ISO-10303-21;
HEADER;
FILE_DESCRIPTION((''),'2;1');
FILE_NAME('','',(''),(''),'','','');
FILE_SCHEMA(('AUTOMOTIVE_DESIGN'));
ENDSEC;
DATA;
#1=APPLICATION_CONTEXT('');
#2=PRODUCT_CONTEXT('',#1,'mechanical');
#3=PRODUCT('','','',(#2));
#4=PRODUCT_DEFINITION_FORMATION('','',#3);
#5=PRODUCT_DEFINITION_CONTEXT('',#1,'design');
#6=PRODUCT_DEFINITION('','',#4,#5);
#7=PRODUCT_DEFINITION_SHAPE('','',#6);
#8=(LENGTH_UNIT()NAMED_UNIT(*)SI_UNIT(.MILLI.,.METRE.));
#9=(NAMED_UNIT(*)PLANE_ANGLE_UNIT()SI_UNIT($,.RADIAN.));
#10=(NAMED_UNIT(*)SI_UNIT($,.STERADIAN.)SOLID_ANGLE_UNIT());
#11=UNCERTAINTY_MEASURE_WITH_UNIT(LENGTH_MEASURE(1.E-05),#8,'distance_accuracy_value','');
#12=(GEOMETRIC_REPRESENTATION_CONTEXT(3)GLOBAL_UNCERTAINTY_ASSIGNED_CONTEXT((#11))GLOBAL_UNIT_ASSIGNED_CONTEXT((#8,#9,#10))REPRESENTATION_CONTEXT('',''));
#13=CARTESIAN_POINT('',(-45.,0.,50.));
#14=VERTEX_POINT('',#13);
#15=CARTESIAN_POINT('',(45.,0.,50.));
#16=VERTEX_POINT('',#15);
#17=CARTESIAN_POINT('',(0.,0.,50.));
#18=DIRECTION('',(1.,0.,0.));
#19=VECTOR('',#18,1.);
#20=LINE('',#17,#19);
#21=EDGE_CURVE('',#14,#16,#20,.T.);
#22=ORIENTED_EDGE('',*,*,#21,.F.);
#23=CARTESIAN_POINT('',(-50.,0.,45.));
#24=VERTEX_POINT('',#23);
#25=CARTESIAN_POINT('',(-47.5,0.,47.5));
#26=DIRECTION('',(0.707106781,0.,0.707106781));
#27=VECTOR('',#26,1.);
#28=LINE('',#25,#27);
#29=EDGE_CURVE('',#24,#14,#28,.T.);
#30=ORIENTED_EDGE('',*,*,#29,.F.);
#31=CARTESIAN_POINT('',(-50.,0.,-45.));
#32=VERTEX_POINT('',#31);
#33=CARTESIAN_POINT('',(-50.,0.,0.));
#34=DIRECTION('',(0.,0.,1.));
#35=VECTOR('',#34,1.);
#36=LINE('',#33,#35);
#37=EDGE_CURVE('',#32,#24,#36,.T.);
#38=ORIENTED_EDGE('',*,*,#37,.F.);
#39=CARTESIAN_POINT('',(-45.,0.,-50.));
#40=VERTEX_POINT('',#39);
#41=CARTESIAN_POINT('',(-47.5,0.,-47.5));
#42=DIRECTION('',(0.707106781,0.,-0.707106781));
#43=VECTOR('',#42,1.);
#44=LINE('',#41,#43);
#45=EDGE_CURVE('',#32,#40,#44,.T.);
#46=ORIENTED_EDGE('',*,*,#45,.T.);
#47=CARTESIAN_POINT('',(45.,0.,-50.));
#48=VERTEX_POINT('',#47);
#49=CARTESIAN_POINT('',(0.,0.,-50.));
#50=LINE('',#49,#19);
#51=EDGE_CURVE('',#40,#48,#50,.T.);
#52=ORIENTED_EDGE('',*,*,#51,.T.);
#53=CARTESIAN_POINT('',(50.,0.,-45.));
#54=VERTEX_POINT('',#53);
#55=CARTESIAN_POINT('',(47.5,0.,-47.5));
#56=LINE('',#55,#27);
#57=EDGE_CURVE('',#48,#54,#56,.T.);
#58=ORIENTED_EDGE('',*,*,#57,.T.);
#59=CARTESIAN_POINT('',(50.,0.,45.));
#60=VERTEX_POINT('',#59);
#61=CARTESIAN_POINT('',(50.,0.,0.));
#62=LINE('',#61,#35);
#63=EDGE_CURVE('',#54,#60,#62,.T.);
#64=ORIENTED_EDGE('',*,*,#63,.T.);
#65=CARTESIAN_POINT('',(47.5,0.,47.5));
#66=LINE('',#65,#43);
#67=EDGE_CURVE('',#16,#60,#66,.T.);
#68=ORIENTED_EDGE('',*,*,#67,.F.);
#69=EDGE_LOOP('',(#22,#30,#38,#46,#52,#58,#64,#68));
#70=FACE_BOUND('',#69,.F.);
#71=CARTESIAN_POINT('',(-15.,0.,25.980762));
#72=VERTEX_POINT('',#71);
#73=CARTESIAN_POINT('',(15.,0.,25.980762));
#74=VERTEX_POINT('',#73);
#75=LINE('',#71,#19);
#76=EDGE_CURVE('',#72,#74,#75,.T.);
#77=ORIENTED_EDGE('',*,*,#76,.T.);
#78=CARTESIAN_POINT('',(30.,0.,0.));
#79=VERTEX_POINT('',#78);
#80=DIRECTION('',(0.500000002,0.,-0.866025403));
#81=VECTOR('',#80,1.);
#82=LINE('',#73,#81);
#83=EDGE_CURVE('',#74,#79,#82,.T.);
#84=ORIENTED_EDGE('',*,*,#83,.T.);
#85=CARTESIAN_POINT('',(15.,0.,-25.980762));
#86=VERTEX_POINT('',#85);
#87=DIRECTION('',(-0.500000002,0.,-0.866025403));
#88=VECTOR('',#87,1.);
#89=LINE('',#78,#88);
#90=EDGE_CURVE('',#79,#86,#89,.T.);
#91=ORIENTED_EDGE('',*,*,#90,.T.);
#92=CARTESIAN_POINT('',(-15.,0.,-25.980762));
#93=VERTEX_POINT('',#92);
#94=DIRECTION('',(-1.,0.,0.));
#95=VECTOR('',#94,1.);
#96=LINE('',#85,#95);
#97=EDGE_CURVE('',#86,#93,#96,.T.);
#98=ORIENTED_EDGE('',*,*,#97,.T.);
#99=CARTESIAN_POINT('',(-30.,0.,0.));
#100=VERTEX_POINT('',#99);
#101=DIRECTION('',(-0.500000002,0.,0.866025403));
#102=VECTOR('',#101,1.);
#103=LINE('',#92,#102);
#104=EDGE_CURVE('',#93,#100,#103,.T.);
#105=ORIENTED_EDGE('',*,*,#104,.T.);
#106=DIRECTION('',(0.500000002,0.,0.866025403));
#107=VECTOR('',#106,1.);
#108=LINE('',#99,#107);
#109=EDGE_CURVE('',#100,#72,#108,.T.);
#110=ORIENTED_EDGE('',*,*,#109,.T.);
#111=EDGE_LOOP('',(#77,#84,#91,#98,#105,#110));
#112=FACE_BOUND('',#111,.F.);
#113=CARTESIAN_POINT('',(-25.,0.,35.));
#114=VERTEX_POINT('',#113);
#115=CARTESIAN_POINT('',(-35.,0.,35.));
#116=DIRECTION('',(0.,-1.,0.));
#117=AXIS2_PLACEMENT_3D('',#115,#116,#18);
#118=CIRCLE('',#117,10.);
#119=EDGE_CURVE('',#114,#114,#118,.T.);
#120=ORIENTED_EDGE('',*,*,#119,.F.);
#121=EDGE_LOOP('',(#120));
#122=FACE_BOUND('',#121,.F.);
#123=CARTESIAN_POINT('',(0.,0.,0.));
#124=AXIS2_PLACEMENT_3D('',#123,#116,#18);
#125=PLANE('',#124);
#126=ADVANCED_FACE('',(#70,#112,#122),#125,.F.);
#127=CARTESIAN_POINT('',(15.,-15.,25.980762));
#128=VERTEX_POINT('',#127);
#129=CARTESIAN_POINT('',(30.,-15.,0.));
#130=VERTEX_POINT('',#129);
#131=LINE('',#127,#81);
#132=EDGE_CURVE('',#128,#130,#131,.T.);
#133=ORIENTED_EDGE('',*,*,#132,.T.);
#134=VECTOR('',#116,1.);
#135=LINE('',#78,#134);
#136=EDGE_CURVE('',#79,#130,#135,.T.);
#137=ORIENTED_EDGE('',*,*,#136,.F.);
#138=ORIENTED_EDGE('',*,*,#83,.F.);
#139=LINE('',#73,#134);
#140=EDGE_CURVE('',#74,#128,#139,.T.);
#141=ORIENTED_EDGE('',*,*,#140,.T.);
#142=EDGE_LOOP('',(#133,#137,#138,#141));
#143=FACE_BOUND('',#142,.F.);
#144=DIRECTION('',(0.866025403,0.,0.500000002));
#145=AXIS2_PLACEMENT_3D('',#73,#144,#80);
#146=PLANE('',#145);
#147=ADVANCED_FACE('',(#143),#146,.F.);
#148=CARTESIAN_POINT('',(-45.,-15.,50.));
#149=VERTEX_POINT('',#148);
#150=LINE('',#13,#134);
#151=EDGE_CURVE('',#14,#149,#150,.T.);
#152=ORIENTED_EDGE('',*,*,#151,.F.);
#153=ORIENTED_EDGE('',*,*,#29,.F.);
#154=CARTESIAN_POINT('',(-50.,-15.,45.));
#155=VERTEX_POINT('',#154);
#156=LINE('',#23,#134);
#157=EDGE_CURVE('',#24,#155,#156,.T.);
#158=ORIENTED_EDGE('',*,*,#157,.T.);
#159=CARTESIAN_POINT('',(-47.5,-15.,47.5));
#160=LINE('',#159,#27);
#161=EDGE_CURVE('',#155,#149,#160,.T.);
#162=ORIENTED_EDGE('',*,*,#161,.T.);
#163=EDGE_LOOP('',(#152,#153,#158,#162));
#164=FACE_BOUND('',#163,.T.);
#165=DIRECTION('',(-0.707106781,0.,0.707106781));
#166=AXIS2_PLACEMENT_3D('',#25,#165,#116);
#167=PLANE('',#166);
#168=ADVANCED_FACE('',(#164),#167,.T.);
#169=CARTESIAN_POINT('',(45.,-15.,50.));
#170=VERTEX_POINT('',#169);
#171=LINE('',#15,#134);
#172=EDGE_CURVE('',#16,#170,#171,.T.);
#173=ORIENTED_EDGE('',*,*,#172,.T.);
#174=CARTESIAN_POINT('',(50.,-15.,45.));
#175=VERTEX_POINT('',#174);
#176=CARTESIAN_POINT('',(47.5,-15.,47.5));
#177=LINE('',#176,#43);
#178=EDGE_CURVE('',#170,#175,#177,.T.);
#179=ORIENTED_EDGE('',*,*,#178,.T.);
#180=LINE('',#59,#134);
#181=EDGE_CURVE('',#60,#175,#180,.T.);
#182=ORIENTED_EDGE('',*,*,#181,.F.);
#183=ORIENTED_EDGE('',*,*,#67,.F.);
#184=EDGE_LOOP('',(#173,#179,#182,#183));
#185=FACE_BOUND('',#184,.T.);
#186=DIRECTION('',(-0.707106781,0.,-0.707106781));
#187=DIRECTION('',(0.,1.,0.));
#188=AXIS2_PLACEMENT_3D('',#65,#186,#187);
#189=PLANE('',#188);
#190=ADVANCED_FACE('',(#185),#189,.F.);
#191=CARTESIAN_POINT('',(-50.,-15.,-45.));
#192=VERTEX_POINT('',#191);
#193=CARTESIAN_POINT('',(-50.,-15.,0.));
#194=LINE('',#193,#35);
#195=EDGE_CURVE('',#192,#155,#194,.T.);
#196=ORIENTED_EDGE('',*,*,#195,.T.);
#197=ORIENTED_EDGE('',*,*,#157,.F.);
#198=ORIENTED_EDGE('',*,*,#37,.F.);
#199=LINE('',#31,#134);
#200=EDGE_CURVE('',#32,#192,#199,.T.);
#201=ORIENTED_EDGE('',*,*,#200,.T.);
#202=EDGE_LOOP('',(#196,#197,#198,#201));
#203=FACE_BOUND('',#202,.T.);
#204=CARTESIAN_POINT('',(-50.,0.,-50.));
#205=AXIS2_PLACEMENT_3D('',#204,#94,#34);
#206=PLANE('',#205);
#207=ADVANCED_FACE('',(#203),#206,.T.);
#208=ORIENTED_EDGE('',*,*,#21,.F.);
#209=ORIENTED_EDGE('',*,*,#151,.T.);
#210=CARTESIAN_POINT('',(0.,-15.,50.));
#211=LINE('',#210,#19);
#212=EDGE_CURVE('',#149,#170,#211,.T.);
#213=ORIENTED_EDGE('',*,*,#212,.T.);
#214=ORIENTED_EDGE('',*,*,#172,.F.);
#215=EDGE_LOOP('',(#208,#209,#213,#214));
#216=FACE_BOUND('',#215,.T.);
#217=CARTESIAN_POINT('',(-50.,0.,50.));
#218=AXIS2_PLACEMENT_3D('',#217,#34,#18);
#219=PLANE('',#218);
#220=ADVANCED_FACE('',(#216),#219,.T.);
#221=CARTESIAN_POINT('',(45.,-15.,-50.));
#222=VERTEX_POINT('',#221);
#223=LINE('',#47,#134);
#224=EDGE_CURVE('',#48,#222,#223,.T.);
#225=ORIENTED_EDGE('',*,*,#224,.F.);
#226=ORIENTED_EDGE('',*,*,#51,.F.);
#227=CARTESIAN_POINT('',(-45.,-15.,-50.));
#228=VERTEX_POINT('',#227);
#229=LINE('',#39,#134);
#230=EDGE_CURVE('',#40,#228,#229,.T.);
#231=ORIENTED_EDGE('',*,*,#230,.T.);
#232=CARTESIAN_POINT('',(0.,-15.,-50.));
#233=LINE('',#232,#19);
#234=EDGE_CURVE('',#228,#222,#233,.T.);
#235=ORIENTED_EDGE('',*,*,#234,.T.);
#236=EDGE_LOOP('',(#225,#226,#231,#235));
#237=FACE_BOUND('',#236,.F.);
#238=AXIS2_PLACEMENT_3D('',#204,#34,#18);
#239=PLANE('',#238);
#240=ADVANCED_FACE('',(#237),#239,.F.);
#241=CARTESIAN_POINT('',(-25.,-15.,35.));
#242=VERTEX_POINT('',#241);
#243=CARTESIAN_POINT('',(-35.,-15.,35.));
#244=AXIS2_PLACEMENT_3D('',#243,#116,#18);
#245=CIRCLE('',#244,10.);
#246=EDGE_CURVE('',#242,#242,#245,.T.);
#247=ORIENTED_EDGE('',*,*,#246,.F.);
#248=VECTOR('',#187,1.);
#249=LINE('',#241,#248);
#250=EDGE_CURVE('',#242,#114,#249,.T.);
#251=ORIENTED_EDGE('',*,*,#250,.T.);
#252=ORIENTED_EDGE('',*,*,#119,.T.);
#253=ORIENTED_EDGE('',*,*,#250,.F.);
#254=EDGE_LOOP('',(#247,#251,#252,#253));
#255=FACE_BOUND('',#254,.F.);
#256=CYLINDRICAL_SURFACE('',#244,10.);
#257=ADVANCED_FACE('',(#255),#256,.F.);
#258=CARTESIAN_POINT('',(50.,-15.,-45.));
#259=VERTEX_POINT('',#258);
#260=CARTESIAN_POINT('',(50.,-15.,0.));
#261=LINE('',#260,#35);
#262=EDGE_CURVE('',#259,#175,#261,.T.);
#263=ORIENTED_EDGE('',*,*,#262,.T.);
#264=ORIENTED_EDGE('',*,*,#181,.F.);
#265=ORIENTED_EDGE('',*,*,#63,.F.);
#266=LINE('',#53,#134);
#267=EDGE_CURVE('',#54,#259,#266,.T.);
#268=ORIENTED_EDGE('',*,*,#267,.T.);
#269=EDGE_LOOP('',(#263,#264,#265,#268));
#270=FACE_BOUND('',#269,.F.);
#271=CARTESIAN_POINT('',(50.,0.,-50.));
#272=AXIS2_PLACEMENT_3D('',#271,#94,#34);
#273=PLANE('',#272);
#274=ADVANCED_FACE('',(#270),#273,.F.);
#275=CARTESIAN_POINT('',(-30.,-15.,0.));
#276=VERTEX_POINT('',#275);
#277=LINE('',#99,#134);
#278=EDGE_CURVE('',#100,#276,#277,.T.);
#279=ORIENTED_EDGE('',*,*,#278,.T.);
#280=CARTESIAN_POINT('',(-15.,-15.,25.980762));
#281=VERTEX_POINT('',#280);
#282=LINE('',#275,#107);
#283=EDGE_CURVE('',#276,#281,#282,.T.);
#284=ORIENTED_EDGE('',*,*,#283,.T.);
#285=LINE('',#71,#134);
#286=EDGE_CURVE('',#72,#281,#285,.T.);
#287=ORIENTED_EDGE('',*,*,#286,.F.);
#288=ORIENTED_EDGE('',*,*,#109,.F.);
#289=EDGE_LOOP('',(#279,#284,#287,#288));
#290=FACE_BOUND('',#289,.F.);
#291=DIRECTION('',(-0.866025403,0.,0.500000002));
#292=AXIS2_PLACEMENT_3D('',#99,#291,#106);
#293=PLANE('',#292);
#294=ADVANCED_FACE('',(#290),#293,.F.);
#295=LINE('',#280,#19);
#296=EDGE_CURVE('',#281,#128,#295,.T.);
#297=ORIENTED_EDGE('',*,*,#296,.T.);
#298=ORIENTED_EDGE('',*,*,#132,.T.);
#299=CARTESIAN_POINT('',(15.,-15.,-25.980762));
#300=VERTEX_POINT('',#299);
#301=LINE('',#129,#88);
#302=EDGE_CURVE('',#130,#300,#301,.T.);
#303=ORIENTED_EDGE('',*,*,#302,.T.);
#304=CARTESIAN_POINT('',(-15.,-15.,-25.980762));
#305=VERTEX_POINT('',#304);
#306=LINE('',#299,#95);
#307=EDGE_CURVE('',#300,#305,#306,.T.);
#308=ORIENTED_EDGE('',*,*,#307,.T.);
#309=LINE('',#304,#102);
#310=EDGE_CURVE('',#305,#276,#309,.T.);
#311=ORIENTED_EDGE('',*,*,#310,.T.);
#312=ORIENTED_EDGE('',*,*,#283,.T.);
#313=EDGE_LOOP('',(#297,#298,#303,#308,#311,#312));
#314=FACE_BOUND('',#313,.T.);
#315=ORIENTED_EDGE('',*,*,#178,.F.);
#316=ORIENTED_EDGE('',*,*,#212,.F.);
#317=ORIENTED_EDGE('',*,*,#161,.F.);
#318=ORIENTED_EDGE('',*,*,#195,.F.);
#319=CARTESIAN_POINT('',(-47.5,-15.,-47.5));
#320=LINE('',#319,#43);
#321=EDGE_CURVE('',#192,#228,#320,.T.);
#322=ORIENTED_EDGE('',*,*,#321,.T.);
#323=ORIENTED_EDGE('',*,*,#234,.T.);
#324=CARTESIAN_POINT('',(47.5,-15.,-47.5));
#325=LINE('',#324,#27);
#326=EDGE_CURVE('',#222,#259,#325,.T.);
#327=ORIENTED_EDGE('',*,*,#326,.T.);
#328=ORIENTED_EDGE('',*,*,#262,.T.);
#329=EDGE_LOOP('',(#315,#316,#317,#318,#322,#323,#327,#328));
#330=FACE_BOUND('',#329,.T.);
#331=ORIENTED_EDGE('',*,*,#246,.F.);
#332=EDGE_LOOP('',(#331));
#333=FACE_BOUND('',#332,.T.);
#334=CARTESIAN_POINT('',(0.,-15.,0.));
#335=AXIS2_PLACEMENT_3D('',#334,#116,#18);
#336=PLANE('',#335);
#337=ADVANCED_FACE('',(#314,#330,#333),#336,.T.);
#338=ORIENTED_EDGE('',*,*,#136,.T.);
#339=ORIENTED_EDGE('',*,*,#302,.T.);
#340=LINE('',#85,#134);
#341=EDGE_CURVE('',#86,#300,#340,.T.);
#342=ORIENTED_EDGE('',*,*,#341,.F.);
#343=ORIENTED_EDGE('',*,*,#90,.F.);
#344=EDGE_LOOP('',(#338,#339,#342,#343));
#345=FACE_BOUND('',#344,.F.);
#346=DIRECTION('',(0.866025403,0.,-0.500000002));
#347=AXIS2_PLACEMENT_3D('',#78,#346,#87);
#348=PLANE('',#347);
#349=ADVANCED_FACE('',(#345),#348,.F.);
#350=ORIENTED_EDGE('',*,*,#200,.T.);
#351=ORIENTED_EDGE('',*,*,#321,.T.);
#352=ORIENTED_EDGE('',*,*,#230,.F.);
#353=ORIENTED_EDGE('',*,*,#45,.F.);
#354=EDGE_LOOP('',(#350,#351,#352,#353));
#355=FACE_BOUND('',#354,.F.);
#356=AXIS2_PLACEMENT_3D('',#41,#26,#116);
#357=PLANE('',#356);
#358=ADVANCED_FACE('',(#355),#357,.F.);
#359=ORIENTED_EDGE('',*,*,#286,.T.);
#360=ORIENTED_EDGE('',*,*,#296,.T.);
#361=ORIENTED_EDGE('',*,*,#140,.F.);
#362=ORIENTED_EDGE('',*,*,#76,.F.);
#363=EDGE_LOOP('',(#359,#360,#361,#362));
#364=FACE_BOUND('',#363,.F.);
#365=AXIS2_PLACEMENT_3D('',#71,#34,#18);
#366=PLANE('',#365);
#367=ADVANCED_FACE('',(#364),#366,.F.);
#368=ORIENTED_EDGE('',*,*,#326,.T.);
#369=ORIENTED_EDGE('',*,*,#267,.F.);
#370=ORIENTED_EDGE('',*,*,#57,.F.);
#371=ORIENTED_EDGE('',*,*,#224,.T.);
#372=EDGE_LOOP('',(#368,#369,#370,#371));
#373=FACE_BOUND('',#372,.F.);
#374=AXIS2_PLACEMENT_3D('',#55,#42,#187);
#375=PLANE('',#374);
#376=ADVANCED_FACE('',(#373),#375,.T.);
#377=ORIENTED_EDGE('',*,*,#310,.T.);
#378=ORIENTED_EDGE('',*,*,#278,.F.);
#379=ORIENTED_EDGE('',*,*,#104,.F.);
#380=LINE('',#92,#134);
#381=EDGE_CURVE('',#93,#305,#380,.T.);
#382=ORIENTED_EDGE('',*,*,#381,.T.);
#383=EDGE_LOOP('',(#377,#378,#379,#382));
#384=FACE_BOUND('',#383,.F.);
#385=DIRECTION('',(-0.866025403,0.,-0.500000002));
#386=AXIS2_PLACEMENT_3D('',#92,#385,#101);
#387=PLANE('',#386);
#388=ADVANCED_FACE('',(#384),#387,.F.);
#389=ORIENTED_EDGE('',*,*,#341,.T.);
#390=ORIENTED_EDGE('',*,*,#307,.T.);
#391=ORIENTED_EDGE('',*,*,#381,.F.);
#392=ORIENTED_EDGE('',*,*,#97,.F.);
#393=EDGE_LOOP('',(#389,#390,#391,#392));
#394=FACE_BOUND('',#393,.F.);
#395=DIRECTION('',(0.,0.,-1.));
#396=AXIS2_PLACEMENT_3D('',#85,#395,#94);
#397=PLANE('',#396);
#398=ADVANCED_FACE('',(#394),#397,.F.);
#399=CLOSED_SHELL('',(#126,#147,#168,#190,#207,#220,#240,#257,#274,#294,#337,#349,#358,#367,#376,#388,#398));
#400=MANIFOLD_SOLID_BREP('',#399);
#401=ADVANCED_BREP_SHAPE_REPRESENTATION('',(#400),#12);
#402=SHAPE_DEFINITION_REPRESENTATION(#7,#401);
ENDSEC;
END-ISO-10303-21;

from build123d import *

# Parameters (mm, degrees)
F0_W     = 100
F0_H     = 100
F1_DEPTH = 15
F2_R     = 10
F3_DEPTH = 15.001
F4_SIZE  = 5


with BuildPart() as f1:
    # F0 (on Front) → F1 (new body)
    with BuildSketch(Plane.XZ):
        Rectangle(F0_W, F0_H)
        Polygon((15, 25.980762), (30, 0), (15, -25.980762), (-15, -25.980762), (-30, 0), (-15, 25.980762), align=None, mode=Mode.SUBTRACT)
    extrude(amount=F1_DEPTH)

    # F2 (on face) → F3 (cut, through all)
    with BuildSketch(Plane.XZ.offset(15)):
        with Locations((-35, 35)):
            Circle(F2_R)
    extrude(amount=-F3_DEPTH, mode=Mode.SUBTRACT)

    # F4
    f4_edges = [f1.edges().sort_by_distance(p)[0] for p in [
        (50, -7.5, 50),
        (-50, -7.5, 50),
        (50, -7.5, -50),
        (-50, -7.5, -50),
    ]]
    chamfer(f4_edges, length=F4_SIZE)


solid = f1.part
